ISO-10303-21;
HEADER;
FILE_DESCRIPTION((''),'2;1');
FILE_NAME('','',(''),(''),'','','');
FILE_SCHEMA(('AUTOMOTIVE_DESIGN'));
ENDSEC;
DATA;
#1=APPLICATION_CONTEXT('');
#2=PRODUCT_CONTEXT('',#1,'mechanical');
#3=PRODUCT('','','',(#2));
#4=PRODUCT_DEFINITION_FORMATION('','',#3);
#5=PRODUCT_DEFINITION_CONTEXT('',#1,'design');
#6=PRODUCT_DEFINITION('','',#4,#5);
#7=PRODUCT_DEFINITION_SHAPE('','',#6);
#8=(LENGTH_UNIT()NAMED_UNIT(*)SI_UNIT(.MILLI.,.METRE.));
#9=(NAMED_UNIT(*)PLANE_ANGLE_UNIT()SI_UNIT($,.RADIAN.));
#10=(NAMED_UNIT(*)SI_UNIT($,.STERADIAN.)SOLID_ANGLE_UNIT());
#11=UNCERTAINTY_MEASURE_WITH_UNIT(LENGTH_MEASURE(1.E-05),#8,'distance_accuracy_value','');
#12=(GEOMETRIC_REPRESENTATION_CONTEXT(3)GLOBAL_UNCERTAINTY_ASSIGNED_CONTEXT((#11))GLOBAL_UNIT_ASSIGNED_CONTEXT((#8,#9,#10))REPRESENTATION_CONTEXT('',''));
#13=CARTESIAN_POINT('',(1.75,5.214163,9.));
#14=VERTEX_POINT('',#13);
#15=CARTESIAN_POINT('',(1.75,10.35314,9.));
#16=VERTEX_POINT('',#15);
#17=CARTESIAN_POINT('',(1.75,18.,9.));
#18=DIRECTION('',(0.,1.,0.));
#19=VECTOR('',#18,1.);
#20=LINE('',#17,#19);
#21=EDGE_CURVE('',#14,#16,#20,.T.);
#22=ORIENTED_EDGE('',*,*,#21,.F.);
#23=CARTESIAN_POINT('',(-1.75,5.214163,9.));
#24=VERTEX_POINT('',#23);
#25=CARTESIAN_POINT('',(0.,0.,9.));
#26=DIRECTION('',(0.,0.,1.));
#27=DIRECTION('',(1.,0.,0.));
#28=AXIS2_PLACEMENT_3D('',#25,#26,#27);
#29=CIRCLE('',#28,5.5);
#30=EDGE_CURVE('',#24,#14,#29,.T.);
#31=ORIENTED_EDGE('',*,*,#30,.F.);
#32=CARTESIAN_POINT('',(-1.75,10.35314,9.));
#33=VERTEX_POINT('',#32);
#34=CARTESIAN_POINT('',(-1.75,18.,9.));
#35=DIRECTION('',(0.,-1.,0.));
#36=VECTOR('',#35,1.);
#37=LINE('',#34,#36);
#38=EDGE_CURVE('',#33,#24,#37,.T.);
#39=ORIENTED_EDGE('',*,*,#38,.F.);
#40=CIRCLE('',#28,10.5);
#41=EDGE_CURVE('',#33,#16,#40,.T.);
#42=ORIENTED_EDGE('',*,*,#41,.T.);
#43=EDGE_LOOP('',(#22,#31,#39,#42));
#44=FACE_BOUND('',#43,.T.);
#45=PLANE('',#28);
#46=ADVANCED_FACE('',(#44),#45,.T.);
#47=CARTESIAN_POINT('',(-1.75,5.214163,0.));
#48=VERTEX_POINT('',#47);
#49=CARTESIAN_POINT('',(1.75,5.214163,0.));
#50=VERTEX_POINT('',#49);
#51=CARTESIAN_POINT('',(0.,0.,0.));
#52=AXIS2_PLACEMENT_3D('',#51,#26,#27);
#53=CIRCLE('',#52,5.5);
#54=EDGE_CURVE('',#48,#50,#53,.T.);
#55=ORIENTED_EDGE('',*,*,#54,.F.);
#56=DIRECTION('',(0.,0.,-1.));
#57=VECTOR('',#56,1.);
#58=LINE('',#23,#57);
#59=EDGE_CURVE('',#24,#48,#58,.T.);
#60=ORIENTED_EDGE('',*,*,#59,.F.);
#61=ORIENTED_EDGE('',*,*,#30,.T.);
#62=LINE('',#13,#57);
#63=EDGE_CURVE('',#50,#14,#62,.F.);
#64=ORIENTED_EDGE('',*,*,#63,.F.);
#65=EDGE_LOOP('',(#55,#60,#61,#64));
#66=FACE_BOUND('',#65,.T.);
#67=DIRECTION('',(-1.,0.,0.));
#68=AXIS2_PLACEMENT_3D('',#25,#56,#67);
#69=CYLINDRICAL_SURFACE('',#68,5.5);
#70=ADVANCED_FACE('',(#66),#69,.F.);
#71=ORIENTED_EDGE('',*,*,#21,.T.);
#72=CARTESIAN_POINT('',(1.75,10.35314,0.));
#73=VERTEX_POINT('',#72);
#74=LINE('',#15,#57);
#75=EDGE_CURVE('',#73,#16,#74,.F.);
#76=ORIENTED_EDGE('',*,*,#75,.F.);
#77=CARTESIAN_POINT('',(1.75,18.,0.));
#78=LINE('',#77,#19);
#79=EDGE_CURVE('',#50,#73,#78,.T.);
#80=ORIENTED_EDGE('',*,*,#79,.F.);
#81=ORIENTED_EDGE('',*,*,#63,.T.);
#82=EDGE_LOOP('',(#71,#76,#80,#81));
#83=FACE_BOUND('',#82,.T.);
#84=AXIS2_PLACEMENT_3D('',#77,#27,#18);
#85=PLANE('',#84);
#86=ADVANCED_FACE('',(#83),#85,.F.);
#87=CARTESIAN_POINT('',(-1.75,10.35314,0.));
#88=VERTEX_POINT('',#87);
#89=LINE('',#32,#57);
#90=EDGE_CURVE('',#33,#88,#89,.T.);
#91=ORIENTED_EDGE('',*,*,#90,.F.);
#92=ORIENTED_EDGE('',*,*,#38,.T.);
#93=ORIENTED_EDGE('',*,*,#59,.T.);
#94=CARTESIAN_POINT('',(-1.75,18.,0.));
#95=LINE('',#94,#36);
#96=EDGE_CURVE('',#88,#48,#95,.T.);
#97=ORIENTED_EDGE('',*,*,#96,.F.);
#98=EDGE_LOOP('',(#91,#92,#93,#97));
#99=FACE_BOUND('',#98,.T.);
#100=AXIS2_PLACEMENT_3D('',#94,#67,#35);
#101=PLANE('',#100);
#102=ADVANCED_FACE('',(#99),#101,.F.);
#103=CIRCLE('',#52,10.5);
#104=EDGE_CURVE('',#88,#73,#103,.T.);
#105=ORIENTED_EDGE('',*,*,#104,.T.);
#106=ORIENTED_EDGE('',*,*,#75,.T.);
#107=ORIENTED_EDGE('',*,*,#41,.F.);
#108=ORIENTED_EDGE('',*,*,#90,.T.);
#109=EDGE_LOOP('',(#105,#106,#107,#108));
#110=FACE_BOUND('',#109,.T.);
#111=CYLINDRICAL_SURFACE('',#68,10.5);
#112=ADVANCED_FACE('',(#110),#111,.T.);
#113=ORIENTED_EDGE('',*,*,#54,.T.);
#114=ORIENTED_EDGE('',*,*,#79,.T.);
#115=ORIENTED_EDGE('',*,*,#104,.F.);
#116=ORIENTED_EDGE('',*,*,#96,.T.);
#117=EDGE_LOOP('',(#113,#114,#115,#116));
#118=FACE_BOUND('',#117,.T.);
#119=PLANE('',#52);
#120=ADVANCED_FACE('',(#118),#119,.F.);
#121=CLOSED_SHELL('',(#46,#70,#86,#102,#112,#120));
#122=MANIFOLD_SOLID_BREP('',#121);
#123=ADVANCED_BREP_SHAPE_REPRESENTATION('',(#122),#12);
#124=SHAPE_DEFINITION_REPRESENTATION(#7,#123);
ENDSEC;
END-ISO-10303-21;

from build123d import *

# Parameters (mm, degrees)
SKETCH_1_R          = 10.5
SKETCH_1_R_2        = 5.5
EXTRUDE_1_DEPTH     = 9
SKETCH_2_W          = 3.5
SKETCH_2_H          = 15
CUT_EXTRUDE_1_DEPTH = 18.363755354


with BuildPart() as part:
    # Эскиз1 → Бобышка-Вытянуть1 (new body)
    with BuildSketch(Plane.XY):
        Circle(SKETCH_1_R)
        Circle(SKETCH_1_R_2, mode=Mode.SUBTRACT)
    extrude(amount=EXTRUDE_1_DEPTH)

    # Эскиз2 → Вырез-Вытянуть1 (cut, through all)
    with BuildSketch(Plane.XY.offset(9)):
        with Locations((0, 10.5)):
            Rectangle(SKETCH_2_W, SKETCH_2_H)
    extrude(amount=-CUT_EXTRUDE_1_DEPTH, mode=Mode.SUBTRACT)


solid = part.part
